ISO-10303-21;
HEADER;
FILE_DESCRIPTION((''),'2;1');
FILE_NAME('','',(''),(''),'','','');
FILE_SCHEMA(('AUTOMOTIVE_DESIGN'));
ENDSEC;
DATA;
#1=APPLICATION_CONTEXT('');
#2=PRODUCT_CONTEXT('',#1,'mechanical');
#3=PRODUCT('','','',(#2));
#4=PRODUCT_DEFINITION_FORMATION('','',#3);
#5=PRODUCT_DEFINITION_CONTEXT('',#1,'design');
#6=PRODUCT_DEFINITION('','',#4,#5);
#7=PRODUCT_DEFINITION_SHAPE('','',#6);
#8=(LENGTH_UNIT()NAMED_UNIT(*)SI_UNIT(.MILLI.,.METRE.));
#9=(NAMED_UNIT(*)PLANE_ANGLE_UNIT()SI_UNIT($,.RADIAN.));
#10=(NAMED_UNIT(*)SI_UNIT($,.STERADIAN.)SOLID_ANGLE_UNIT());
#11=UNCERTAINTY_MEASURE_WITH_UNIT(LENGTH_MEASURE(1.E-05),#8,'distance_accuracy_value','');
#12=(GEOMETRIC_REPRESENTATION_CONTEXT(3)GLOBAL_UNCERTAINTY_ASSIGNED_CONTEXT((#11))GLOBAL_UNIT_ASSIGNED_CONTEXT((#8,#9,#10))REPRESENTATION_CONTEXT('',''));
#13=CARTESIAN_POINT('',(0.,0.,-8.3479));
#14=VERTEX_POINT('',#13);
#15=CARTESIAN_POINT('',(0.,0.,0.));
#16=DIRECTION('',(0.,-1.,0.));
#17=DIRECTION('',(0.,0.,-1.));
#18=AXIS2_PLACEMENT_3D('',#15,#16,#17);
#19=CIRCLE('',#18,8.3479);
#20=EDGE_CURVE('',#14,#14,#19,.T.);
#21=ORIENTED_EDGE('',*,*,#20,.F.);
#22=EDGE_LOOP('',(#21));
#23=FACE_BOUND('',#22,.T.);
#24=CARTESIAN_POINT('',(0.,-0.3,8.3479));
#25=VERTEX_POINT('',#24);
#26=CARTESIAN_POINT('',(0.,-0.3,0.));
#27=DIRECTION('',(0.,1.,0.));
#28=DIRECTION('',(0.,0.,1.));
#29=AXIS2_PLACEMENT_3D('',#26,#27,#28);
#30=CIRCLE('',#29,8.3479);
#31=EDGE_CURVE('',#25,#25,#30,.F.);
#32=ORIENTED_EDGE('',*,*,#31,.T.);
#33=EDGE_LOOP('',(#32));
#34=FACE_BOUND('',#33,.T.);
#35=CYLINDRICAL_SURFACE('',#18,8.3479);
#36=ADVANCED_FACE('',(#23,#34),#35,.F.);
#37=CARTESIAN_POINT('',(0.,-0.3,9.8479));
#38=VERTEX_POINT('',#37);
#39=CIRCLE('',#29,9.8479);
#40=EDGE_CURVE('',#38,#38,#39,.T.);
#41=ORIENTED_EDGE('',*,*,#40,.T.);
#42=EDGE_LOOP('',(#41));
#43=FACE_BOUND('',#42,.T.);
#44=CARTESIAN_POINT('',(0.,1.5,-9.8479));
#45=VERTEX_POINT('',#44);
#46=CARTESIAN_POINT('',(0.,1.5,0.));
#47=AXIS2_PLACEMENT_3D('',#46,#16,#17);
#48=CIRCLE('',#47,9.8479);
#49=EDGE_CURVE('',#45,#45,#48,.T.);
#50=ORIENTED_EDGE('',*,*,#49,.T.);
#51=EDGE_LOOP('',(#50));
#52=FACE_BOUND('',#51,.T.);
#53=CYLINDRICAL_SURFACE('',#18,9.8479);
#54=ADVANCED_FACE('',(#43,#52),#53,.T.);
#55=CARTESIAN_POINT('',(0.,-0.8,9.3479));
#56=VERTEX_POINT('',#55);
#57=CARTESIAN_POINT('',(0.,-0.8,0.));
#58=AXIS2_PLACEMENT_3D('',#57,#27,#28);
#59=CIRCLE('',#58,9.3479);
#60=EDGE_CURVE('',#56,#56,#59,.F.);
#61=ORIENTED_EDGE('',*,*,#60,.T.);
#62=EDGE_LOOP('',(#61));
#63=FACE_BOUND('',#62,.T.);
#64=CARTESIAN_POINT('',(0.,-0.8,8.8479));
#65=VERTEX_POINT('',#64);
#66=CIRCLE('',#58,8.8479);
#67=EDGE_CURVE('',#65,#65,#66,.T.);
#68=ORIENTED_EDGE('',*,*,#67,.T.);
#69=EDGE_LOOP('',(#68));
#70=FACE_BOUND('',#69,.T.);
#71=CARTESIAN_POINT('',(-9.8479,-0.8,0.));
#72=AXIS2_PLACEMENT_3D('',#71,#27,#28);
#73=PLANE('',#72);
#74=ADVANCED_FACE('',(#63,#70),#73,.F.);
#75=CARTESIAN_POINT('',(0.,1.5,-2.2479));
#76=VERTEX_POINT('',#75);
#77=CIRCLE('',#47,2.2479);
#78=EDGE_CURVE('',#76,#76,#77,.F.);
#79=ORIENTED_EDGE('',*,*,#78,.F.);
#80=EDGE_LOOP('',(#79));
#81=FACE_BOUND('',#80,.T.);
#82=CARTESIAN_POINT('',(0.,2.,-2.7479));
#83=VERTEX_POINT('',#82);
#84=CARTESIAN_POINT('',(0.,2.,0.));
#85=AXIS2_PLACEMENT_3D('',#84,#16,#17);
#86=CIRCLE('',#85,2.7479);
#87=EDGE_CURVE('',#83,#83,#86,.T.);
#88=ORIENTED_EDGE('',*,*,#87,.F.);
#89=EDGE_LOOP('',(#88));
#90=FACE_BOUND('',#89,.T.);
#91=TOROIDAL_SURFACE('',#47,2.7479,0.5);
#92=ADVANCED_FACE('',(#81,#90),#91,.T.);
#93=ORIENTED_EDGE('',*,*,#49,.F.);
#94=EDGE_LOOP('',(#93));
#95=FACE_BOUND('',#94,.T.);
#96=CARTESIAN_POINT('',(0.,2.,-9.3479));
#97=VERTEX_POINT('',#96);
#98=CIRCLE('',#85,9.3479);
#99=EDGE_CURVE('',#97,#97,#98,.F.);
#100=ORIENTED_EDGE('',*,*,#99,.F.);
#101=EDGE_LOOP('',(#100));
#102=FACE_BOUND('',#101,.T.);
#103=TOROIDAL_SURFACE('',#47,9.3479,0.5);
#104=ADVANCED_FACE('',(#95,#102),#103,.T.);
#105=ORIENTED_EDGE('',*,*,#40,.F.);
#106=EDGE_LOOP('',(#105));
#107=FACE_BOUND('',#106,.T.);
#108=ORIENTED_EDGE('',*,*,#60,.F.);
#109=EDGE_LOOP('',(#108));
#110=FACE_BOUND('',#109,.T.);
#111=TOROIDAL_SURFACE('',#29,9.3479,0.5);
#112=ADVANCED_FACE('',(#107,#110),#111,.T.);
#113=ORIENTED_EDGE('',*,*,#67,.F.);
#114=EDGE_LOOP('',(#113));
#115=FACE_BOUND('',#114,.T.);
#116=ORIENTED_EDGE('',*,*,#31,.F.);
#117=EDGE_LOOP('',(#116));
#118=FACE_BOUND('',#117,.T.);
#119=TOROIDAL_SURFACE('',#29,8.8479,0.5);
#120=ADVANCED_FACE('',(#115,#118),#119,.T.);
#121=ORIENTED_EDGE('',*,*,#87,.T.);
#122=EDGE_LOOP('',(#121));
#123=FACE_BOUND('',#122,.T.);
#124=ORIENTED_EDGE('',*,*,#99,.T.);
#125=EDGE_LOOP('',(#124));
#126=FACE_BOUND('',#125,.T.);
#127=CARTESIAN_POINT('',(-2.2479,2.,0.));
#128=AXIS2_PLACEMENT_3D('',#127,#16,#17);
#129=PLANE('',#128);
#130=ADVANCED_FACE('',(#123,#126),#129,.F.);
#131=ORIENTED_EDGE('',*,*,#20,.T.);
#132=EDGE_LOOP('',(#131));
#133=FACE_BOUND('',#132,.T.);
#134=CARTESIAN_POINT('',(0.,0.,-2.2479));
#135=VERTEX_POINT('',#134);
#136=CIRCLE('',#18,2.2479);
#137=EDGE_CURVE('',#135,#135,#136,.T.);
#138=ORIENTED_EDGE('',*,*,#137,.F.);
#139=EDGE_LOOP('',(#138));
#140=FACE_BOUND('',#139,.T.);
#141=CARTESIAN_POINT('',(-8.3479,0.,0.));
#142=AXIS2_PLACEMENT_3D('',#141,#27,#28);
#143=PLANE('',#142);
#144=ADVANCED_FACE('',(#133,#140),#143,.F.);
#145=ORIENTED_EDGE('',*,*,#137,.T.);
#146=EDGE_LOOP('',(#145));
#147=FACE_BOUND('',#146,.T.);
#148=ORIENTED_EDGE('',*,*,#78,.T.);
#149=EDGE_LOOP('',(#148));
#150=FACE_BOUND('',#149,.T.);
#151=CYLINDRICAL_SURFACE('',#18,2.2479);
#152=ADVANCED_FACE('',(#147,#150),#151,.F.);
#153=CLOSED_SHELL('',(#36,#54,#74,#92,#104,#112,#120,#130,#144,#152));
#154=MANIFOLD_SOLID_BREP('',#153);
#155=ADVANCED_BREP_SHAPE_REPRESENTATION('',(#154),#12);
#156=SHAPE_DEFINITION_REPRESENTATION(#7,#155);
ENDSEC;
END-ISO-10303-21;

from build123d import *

# Parameters (mm, degrees)
FILLET1_R = 0.5


with BuildPart() as part:
    # Sketch1 → Revolve1 (revolve)
    with BuildSketch(Plane.XY):
        Polygon((-2.2479, 0), (-2.2479, 2), (-9.8479, 2), (-9.8479, -0.8), (-8.3479, -0.8), (-8.3479, 0), align=None)
    revolve(axis=Axis((0, 0, 0), (0, 1, 0)))

    # Fillet1
    fillet1_edges = [part.edges().sort_by_distance(p)[0] for p in [
        (8.3479, -0.8, 0),
        (9.8479, -0.8, 0),
        (9.8479, 2, 0),
        (2.2479, 2, 0),
    ]]
    fillet(fillet1_edges, radius=FILLET1_R)


solid = part.part
